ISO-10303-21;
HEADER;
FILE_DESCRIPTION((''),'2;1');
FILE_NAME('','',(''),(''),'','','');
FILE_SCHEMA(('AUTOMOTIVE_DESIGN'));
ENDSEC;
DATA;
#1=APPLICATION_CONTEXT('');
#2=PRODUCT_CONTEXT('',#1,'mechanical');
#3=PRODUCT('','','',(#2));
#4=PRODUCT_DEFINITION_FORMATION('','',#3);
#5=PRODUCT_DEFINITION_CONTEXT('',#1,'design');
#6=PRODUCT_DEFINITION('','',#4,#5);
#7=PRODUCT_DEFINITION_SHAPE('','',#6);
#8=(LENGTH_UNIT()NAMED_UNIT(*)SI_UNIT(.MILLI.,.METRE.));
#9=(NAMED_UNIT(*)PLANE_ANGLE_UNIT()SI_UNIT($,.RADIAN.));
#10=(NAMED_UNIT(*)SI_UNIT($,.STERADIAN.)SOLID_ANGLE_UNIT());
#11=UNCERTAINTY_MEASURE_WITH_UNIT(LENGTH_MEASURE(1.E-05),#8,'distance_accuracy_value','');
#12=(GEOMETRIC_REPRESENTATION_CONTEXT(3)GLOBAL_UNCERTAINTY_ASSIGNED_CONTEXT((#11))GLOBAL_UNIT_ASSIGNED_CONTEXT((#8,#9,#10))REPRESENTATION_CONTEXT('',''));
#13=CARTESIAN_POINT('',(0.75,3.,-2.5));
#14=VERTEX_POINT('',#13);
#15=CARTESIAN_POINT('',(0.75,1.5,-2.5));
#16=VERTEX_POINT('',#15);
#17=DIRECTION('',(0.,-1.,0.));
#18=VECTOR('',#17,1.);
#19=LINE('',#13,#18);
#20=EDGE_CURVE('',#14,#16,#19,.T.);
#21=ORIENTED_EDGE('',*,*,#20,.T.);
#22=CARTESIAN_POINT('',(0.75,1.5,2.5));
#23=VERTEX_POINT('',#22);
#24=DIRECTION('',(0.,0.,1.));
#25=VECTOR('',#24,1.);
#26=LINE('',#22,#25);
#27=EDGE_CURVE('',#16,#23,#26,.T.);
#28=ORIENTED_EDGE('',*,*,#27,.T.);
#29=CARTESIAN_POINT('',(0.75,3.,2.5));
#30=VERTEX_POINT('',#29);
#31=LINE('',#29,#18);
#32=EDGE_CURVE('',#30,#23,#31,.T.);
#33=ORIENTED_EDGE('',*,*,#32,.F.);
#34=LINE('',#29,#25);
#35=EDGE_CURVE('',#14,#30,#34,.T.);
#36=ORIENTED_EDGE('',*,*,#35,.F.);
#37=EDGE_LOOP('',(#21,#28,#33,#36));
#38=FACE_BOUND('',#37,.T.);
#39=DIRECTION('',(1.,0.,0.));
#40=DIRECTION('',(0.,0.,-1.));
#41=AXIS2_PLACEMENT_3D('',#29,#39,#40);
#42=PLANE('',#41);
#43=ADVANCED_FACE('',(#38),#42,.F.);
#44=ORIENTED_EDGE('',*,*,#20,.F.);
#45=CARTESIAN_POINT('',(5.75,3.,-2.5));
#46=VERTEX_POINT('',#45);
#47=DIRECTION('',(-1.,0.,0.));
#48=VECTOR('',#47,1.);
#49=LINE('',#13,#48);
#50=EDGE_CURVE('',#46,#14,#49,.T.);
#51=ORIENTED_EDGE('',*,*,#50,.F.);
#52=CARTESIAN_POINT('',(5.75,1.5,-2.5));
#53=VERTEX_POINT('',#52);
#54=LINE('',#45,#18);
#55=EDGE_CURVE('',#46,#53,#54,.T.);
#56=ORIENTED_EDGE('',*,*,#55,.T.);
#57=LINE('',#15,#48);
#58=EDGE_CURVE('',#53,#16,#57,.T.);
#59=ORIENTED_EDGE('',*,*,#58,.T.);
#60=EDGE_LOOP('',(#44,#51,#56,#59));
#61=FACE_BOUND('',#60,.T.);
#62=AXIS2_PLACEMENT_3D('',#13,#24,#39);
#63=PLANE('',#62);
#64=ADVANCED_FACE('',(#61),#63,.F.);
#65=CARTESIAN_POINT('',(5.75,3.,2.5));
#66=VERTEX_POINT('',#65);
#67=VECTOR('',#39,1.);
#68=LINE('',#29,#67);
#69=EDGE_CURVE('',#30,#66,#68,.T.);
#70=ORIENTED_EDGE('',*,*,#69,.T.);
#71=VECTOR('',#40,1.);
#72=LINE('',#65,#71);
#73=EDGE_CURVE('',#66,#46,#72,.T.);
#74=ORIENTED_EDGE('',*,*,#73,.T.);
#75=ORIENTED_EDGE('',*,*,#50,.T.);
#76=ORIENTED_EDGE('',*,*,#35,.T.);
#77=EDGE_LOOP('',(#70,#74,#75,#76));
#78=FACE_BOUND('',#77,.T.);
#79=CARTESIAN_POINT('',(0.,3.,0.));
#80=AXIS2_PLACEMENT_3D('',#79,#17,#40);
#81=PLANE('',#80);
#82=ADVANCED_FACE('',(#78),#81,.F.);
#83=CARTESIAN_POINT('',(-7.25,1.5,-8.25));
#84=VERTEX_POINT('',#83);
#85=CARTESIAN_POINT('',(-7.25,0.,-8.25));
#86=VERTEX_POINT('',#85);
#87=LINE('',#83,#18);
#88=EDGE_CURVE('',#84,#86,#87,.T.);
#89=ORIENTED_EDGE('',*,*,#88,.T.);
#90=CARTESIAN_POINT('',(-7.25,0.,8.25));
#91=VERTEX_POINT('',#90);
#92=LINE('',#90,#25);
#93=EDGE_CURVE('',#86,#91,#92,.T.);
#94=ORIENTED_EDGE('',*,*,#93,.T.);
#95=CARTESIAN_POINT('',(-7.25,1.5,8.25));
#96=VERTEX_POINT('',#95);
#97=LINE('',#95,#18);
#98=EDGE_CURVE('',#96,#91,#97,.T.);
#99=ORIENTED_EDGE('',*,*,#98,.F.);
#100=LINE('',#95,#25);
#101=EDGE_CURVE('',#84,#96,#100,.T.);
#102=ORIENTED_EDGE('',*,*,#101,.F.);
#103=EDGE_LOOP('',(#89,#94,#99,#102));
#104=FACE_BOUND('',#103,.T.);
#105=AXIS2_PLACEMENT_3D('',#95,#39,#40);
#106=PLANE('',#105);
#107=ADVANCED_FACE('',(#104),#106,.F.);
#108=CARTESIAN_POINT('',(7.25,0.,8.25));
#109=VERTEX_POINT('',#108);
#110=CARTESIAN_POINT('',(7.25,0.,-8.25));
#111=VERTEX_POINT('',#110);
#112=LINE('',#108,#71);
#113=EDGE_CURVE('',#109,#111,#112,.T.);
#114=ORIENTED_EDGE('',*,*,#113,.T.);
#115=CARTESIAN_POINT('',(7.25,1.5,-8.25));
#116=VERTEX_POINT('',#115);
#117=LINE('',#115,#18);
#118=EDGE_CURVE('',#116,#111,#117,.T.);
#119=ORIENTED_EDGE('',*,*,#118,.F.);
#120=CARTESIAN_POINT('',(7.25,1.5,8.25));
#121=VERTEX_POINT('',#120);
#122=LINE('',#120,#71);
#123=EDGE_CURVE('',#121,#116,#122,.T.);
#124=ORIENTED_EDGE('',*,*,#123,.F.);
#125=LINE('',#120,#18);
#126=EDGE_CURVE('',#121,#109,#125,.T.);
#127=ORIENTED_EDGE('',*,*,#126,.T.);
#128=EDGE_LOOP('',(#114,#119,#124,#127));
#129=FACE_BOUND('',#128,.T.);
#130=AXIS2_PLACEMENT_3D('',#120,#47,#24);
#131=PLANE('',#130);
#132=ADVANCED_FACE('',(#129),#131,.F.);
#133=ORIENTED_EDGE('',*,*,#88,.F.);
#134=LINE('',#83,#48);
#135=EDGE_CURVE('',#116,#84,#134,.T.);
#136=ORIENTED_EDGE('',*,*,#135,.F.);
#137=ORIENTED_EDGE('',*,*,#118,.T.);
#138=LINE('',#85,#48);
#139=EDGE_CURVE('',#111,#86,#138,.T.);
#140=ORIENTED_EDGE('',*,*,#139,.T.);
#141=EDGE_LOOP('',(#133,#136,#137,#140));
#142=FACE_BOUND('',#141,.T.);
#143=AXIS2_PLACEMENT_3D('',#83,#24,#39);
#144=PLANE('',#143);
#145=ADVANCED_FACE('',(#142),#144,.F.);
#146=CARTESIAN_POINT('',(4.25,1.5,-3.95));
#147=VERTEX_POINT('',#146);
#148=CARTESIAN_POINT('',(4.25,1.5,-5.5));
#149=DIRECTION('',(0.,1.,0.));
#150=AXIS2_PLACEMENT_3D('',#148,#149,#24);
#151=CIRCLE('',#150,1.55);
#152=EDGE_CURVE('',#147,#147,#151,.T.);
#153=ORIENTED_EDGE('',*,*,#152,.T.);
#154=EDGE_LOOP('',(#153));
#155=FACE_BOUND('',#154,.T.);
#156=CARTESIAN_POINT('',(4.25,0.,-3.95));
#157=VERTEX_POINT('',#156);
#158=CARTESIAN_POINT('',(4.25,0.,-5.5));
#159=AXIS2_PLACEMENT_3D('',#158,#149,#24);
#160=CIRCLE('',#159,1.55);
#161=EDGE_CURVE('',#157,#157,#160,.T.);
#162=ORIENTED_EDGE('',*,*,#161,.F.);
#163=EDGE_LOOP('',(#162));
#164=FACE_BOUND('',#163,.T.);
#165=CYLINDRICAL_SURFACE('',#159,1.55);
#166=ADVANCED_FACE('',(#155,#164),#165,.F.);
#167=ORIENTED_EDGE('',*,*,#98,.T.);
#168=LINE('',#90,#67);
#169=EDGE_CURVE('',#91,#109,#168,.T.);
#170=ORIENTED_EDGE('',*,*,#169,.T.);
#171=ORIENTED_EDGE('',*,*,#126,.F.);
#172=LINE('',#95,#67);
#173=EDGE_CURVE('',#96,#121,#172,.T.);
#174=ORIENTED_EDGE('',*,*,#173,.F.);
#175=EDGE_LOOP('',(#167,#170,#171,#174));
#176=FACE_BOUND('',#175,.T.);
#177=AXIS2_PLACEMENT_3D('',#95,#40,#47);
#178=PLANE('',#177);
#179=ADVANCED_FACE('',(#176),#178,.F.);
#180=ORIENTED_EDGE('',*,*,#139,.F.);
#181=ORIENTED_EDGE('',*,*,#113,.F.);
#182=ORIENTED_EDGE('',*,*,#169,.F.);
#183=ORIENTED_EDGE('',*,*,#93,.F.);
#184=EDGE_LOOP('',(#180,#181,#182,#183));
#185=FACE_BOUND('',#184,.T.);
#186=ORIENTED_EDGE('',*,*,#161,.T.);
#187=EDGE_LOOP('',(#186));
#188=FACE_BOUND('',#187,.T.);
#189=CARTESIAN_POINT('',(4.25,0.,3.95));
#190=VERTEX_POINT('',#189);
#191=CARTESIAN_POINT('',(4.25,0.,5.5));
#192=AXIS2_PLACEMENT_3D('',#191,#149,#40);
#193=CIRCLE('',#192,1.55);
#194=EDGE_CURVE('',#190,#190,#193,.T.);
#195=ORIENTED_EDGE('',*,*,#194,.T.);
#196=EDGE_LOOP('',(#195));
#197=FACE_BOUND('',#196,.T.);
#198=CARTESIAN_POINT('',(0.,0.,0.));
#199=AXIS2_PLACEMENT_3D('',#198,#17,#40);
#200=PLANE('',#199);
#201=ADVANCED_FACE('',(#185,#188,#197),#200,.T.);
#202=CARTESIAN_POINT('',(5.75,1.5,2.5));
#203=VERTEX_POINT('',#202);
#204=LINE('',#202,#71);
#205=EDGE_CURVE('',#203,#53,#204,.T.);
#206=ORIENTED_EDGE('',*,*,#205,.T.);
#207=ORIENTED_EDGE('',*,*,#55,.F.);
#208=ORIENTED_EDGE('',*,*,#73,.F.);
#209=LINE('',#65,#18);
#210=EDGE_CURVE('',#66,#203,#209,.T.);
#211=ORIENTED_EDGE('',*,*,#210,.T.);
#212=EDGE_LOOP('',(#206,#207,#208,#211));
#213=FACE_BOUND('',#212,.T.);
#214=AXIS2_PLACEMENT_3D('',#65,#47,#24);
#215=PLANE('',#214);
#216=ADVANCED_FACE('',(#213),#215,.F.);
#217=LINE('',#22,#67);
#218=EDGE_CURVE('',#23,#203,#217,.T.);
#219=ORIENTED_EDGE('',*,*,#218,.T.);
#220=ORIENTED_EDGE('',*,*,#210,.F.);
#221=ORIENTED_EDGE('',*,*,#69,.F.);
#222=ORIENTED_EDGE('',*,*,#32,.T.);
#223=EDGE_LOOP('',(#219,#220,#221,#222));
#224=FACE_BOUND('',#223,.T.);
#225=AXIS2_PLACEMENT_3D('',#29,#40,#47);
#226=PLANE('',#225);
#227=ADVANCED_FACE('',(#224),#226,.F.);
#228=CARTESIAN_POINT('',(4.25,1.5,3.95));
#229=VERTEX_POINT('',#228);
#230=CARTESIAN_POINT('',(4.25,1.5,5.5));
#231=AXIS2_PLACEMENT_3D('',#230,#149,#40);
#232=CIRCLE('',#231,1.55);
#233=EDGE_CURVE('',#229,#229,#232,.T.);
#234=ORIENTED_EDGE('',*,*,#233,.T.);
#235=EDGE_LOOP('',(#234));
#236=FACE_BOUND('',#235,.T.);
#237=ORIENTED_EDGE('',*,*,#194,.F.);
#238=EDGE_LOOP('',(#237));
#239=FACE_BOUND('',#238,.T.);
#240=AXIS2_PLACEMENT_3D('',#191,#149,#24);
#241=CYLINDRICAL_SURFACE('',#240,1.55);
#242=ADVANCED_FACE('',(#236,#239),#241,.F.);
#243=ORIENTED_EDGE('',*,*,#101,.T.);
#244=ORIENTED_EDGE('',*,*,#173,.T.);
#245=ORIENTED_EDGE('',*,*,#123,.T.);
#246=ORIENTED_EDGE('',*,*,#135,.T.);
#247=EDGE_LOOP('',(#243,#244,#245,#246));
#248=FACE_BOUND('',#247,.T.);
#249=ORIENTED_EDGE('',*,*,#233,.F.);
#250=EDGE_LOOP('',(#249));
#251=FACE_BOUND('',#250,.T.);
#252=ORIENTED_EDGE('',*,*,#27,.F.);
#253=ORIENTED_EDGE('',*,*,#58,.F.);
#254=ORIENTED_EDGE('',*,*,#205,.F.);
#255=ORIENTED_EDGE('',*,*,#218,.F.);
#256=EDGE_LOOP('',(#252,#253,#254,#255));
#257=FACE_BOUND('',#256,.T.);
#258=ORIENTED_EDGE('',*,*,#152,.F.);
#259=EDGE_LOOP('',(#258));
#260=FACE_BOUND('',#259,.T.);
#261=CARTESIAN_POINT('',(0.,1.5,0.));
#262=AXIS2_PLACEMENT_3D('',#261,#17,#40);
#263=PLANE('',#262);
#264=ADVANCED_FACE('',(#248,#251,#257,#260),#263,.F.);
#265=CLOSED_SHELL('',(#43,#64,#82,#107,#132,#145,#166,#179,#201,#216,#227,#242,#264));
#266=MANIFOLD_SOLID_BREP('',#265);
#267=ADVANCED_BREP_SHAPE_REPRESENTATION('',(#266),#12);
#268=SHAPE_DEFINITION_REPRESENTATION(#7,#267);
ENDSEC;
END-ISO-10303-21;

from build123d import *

# Parameters (mm, degrees)
SKETCH1_W           = 14.5
SKETCH1_H           = 16.5
BOSS_EXTRUDE1_DEPTH = 1.5
SKETCH2_R           = 1.55
CUT_EXTRUDE1_DEPTH  = 12.084899639
SKETCH3_W           = 5
SKETCH3_H           = 5
BOSS_EXTRUDE2_DEPTH = 1.5


with BuildPart() as part:
    # Sketch1 → Boss-Extrude1 (new body)
    with BuildSketch(Plane(origin=(0, 0, 0), x_dir=(1, 0, 0), z_dir=(0, 1, 0))):
        Rectangle(SKETCH1_W, SKETCH1_H)
    extrude(amount=BOSS_EXTRUDE1_DEPTH)

    # Sketch2 → Cut-Extrude1 (cut, through all)
    with BuildSketch(Plane(origin=(0, 1.5, 0), x_dir=(1, 0, 0), z_dir=(0, 1, 0))):
        with Locations(Location((4.25, 5.5, 0), (0, 0, 270))):
            Circle(SKETCH2_R)
        with Locations(Location((4.25, -5.5, 0), (0, 0, 90))):
            Circle(SKETCH2_R)
    extrude(amount=-CUT_EXTRUDE1_DEPTH, mode=Mode.SUBTRACT)

    # Sketch3 → Boss-Extrude2 (add)
    with BuildSketch(Plane(origin=(0, 1.5, 0), x_dir=(1, 0, 0), z_dir=(0, 1, 0))):
        with Locations((3.25, 0)):
            Rectangle(SKETCH3_W, SKETCH3_H)
    extrude(amount=BOSS_EXTRUDE2_DEPTH)


solid = part.part
